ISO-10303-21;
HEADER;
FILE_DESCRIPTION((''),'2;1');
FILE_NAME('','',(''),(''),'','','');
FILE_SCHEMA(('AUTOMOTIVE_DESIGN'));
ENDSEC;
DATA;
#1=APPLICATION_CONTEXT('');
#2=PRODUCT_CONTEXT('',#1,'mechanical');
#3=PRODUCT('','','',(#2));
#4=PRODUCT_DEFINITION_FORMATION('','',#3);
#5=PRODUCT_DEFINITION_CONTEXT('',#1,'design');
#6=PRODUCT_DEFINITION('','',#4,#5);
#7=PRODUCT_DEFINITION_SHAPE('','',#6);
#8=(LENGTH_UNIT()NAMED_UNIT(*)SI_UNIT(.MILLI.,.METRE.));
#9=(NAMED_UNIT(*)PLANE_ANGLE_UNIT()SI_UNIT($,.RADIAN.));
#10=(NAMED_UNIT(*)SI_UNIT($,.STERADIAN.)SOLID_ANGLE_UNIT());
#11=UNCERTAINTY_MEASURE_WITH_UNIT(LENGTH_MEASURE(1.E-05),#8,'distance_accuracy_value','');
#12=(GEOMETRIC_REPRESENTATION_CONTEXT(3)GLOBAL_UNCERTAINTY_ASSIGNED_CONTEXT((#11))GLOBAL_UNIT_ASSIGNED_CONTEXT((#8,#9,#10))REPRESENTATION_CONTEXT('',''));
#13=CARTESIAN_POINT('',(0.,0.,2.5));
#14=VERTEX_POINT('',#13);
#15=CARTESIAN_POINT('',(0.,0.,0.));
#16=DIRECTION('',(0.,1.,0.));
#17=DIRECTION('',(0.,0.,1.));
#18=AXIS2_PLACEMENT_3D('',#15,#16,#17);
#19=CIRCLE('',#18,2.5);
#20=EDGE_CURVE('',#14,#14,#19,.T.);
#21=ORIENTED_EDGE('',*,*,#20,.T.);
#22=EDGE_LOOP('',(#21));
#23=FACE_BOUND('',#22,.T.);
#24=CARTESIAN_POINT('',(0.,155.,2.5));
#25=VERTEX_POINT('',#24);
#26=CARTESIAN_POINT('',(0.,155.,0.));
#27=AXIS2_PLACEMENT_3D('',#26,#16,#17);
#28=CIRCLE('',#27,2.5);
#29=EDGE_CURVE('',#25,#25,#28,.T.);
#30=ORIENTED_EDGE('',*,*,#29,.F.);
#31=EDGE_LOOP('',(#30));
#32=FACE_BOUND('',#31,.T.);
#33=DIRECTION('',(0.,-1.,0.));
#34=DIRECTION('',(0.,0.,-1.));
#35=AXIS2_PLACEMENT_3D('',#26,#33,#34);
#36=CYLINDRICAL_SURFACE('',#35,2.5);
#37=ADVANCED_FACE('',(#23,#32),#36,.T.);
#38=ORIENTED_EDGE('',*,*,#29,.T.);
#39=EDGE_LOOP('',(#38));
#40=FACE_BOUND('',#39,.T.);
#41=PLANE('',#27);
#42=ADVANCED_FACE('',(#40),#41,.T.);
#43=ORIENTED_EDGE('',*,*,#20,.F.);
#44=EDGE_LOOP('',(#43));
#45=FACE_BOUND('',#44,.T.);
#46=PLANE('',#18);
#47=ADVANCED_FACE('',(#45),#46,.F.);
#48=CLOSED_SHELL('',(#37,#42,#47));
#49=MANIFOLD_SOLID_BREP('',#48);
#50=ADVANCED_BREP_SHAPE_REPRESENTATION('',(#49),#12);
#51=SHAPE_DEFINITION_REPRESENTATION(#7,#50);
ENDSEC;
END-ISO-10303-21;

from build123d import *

# Parameters (mm, degrees)
SKETCH1_R           = 2.5
BOSS_EXTRUDE1_DEPTH = 155


with BuildPart() as part:
    # Sketch1 → Boss-Extrude1 (new body)
    with BuildSketch(Plane(origin=(0, 0, 0), x_dir=(1, 0, 0), z_dir=(0, 1, 0))):
        Circle(SKETCH1_R)
    extrude(amount=BOSS_EXTRUDE1_DEPTH)


solid = part.part
